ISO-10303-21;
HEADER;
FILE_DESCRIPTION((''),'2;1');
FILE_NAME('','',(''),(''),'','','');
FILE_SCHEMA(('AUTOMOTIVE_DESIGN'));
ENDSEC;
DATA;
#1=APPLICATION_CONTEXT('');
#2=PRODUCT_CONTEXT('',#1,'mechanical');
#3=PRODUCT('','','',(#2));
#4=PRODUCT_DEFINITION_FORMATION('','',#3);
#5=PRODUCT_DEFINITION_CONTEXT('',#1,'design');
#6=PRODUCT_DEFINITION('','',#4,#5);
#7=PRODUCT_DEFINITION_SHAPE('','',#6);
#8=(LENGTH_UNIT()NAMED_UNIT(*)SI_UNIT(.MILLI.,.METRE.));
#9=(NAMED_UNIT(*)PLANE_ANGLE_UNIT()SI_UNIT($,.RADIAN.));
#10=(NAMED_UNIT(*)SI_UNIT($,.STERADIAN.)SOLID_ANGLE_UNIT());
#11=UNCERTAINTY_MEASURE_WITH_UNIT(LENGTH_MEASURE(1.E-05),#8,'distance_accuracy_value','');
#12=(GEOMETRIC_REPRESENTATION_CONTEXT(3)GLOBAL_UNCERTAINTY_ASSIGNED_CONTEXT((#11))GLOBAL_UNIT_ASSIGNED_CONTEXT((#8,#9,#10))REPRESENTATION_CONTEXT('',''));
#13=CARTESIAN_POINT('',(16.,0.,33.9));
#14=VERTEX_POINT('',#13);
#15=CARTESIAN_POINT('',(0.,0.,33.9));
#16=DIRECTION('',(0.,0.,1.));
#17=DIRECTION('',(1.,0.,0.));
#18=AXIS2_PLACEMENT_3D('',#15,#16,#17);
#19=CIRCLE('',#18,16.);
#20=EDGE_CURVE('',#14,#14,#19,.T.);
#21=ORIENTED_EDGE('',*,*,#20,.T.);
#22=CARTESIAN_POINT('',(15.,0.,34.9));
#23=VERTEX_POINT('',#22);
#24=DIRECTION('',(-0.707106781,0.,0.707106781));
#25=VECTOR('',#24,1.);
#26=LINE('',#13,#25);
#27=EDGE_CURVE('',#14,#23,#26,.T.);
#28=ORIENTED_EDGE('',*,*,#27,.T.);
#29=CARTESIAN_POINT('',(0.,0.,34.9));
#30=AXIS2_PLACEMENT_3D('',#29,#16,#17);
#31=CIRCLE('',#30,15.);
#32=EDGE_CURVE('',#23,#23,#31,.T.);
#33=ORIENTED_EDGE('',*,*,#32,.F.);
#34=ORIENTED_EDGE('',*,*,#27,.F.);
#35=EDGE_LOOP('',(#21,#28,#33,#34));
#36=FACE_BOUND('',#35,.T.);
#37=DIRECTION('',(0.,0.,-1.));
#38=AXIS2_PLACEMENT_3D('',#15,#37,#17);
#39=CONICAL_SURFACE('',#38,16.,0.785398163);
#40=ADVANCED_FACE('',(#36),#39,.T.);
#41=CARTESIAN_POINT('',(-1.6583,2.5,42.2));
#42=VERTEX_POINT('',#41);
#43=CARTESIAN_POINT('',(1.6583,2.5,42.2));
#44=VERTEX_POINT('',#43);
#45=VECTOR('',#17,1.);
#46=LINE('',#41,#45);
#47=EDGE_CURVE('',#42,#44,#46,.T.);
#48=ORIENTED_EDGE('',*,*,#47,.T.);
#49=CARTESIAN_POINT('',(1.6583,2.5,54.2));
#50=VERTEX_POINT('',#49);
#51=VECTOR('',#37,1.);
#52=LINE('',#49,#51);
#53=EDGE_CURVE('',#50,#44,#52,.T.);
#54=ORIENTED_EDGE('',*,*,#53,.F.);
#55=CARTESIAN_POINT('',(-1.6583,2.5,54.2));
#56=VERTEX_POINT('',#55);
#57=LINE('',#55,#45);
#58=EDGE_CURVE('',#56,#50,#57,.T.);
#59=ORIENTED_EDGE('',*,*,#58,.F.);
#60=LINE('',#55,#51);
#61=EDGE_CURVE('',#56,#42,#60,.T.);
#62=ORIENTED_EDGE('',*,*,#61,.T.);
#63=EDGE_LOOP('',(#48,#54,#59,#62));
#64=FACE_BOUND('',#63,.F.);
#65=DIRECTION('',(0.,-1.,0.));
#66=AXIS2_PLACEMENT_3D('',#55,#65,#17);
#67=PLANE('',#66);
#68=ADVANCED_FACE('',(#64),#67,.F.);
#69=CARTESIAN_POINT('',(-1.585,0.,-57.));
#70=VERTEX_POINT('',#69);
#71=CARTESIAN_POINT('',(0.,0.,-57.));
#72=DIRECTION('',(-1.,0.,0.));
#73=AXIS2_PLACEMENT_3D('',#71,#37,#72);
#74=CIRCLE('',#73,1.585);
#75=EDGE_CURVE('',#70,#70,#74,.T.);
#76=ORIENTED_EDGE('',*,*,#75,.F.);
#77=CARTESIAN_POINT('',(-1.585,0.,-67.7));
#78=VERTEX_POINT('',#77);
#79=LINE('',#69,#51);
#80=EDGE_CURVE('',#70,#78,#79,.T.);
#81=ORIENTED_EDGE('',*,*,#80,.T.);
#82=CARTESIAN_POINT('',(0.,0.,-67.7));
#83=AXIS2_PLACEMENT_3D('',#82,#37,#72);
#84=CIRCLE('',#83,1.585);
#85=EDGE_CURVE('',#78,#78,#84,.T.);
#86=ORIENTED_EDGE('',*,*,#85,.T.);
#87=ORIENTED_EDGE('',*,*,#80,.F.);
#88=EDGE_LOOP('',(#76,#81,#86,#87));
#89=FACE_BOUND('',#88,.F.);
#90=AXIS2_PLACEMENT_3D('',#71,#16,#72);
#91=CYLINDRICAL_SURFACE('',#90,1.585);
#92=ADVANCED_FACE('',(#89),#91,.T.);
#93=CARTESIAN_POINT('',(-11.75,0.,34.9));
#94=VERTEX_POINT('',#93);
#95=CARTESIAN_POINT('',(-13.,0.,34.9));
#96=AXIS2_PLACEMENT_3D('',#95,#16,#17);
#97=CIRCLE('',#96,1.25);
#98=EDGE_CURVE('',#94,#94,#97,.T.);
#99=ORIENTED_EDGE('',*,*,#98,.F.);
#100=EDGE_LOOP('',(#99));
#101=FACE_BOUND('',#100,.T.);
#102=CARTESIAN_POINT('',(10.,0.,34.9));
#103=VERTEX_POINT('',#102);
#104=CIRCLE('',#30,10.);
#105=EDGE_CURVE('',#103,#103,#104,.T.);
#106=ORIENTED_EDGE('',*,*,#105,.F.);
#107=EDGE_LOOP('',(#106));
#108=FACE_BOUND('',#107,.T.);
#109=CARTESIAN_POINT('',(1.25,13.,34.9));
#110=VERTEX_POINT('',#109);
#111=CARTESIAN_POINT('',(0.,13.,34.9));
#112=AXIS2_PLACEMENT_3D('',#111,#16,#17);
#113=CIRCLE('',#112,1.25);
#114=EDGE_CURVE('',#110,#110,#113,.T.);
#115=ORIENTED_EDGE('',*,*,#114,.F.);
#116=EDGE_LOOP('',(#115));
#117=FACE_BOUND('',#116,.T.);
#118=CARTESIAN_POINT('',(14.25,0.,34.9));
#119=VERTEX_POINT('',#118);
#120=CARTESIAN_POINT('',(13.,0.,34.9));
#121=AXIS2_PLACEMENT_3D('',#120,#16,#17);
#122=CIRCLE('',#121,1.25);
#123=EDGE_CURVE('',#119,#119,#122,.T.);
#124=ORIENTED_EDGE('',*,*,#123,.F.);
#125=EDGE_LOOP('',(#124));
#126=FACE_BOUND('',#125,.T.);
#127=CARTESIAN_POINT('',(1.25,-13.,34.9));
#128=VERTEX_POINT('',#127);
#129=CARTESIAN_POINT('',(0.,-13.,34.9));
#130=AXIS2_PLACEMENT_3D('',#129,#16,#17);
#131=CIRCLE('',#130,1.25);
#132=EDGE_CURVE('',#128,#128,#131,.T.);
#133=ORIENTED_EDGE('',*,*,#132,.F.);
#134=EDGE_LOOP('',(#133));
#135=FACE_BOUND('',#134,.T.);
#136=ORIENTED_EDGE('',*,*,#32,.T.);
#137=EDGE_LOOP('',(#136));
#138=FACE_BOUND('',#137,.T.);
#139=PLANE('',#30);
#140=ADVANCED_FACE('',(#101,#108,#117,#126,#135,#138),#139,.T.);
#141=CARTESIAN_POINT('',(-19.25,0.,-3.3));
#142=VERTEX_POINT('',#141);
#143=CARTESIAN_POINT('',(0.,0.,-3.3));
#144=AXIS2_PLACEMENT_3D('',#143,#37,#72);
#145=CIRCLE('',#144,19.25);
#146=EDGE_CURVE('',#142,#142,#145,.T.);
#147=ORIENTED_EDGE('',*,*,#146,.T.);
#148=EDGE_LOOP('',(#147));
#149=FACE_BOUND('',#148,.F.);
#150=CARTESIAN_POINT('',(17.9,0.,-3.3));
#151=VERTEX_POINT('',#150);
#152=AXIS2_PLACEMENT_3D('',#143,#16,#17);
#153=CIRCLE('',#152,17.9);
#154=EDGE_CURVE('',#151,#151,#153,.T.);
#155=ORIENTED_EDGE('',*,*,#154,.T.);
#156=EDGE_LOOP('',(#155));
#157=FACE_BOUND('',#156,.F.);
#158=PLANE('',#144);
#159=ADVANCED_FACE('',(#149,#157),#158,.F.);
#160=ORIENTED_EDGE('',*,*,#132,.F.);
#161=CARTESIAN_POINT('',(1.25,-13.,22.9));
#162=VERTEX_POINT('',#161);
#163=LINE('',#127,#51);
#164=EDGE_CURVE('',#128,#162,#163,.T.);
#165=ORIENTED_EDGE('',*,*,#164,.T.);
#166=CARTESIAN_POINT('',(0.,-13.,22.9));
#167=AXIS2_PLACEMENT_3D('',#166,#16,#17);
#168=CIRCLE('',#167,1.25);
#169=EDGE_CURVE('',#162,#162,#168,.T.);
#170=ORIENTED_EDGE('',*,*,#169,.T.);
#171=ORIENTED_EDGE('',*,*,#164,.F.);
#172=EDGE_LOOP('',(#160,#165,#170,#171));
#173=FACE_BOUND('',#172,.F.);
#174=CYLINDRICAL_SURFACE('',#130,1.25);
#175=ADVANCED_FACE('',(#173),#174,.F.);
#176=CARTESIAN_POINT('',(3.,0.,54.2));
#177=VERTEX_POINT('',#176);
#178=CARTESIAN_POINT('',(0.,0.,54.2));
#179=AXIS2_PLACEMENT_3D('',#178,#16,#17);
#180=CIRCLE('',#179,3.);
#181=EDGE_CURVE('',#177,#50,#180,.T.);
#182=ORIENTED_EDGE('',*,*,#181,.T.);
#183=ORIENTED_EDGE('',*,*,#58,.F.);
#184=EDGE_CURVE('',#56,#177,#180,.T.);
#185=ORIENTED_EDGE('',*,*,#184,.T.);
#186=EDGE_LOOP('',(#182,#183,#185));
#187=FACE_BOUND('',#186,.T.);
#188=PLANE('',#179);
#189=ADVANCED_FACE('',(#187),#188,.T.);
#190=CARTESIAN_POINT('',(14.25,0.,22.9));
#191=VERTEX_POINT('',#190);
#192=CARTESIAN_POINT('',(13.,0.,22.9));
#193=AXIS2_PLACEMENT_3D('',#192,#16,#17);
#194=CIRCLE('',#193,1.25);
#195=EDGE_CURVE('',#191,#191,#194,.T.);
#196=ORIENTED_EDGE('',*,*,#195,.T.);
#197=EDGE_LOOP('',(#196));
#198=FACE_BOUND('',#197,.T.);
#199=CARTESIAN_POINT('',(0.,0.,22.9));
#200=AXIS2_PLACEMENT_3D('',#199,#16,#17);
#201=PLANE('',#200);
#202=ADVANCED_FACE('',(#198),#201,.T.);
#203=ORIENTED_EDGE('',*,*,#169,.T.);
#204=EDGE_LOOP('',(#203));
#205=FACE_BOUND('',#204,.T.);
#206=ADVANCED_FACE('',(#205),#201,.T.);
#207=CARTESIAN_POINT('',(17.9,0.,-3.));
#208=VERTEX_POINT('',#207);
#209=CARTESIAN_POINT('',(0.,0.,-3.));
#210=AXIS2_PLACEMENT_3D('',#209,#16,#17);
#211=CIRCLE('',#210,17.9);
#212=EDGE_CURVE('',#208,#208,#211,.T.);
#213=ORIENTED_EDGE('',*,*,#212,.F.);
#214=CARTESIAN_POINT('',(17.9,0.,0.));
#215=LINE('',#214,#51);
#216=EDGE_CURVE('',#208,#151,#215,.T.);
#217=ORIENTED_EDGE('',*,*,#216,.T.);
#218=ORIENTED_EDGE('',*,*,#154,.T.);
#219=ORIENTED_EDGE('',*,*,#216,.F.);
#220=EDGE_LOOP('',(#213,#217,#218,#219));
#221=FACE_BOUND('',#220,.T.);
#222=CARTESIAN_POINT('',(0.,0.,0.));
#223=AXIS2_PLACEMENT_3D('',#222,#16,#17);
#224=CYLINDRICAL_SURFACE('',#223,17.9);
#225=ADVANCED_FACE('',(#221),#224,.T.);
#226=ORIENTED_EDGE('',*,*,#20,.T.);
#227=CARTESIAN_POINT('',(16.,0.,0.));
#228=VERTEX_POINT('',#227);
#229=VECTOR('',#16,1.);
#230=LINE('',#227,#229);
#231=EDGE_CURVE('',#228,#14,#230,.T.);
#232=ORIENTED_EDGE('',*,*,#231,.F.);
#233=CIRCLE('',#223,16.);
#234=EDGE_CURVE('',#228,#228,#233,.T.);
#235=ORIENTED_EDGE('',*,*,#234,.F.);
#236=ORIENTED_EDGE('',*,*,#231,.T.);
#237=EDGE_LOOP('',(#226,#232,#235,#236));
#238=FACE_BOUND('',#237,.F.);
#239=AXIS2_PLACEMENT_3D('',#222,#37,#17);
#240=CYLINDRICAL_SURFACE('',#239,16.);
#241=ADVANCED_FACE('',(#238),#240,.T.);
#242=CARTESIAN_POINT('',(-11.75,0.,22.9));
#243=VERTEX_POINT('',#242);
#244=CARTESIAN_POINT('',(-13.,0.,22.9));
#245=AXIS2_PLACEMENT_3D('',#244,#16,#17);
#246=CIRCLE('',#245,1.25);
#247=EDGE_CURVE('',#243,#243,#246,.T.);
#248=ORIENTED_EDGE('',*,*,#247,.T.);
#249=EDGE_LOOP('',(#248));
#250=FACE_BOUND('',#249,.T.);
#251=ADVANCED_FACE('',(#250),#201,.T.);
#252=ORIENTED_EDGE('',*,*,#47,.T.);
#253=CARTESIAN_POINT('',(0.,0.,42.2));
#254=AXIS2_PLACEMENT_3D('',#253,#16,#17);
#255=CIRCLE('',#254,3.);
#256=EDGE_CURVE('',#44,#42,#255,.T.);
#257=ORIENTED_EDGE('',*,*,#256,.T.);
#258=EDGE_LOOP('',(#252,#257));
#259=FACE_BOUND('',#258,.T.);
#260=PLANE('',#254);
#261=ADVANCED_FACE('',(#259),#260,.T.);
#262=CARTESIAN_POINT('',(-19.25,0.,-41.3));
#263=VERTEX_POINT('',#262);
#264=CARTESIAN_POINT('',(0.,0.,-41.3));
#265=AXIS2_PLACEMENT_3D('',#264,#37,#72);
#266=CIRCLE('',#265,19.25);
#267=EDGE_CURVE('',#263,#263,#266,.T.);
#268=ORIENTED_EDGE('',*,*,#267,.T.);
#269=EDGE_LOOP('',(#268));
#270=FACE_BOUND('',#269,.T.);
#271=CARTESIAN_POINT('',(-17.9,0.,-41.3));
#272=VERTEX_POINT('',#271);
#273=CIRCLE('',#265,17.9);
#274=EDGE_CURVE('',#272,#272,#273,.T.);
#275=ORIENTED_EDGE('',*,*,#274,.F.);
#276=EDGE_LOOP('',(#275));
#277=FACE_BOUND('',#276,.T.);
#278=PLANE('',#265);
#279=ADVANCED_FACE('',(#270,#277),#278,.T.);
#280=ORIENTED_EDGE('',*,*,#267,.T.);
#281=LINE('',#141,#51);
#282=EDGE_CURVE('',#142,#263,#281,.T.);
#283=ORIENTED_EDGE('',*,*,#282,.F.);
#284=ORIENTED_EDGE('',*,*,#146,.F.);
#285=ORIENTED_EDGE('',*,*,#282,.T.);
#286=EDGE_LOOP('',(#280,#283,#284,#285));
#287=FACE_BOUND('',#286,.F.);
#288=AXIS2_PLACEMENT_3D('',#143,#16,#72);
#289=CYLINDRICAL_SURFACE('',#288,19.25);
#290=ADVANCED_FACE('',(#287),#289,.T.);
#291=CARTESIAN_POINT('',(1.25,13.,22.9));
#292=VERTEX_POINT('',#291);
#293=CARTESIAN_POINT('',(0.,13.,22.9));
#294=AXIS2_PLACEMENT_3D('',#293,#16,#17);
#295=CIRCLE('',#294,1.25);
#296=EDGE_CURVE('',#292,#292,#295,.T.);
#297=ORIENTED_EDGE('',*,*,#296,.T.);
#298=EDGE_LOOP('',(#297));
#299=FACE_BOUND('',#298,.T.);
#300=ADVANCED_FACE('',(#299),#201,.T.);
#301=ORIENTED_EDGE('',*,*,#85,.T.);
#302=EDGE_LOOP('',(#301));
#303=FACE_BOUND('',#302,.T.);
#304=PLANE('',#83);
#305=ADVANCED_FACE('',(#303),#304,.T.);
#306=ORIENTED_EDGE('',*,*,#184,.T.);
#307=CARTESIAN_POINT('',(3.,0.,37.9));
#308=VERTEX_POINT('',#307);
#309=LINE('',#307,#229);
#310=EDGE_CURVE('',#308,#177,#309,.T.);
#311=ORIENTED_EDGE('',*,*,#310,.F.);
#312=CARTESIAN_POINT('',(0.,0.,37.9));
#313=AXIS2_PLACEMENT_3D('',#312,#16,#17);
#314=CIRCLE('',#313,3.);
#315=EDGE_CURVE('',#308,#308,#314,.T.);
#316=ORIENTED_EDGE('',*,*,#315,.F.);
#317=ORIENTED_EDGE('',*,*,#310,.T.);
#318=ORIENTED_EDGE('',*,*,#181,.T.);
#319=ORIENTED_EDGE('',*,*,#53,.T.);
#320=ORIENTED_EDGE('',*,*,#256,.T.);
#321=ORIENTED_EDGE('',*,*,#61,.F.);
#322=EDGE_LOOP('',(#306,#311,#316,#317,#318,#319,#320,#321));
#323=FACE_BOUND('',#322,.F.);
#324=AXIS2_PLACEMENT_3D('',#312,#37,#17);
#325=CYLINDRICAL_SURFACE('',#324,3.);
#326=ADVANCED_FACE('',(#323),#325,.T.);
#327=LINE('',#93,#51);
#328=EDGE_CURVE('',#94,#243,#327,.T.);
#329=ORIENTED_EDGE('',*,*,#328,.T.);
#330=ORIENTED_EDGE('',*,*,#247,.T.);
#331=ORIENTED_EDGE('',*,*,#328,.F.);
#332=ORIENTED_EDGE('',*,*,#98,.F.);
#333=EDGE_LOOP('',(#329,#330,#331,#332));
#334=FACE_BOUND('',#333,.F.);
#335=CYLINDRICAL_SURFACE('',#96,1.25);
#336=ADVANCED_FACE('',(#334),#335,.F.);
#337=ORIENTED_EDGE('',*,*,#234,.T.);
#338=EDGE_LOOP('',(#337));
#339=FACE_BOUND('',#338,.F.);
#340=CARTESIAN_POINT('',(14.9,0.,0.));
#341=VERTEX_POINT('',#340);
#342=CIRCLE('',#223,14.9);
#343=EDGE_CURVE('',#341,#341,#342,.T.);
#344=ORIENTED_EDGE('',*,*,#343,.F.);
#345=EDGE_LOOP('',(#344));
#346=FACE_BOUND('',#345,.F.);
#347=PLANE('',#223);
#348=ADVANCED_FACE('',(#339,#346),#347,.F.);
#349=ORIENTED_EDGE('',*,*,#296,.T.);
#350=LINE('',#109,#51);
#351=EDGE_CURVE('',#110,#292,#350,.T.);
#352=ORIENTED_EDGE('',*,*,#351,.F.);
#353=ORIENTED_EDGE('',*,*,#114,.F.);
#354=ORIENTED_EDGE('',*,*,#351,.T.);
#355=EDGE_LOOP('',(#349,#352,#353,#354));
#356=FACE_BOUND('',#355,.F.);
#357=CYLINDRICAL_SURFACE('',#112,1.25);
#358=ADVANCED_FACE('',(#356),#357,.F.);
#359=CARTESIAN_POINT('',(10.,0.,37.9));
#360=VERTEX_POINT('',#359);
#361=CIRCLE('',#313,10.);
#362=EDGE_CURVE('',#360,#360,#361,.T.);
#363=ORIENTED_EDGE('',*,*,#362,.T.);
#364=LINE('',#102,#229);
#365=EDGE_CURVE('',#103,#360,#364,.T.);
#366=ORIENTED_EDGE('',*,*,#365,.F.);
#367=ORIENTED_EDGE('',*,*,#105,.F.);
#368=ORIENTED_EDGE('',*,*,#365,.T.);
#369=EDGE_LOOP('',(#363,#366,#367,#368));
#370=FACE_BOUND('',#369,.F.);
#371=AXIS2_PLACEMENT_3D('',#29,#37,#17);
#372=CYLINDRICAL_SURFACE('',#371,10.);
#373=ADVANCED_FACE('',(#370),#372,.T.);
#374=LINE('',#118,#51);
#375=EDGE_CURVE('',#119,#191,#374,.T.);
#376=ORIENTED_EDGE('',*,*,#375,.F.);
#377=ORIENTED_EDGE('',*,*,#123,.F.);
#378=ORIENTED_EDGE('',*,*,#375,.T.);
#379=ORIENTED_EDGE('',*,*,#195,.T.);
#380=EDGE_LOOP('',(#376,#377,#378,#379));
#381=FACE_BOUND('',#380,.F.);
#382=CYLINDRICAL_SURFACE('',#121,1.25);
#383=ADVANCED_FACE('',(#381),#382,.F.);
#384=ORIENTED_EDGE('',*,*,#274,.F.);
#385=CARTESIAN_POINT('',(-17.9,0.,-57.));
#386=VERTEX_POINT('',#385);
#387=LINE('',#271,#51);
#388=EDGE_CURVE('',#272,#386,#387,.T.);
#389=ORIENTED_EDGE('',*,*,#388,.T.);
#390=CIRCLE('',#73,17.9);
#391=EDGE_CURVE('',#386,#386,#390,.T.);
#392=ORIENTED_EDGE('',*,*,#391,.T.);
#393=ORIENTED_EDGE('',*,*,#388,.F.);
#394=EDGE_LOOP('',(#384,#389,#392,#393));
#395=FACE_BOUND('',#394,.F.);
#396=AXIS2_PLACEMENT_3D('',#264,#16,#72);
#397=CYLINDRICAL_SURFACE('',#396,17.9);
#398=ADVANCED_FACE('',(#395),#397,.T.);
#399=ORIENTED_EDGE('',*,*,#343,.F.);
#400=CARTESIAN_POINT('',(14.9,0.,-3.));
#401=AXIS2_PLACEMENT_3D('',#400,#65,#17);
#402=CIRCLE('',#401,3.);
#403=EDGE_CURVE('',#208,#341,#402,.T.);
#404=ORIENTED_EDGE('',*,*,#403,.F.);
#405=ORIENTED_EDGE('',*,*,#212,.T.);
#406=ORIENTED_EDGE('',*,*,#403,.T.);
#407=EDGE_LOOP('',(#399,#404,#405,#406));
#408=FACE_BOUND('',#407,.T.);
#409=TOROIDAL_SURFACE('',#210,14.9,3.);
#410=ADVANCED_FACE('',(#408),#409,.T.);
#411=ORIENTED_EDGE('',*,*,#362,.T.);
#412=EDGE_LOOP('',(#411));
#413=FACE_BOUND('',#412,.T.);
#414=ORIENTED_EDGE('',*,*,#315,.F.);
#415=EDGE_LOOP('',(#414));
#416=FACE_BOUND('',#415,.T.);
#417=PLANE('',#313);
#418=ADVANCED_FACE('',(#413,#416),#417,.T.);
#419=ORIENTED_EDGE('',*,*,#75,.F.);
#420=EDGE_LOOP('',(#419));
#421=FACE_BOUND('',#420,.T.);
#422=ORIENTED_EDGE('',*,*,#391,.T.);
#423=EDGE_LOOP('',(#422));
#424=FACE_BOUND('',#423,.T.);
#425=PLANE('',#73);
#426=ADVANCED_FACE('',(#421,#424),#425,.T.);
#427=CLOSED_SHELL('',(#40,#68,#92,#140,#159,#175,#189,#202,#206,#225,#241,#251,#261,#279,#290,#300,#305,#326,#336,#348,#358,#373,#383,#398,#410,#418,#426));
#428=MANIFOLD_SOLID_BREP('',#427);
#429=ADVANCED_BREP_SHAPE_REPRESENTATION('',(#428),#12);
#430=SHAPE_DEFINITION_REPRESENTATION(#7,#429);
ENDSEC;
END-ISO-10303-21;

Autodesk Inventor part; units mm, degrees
ref_plane "YZ Plane" through (0, 0, 0) normal (1, 0, 0) x (0, 1, 0)
ref_plane "XZ Plane" through (0, 0, 0) normal (0, 1, 0) x (-1, 0, 0)
ref_plane "XY Plane" through (0, 0, 0) normal (0, 0, 1) x (1, 0, 0)
sketch "スケッチ1" plane through (0, 0, 0) normal (0, 0, 1) x (1, 0, 0)
  circle A0 centre (0, 0) radius 17.9
  dimension "d0" = 35.8
extrude "押し出し1" add sketch "スケッチ1" against normal blind 3.3
fillet "フィレット1" radius 3 1 edges at (-17.9, 0, 0)
sketch "スケッチ2" plane through (0, 0, -3.3) normal (0, 0, -1) x (-1, 0, 0)
  circle A0 centre (0, 0) radius 19.25
  dimension "d4" = 38.5
extrude "押し出し2" add sketch "スケッチ2" along normal blind 38
sketch "スケッチ3" plane through (0, 0, -41.3) normal (0, 0, -1) x (-1, 0, 0)
  circle A0 centre (0, 0) radius 17.9
  dimension "d7" = 35.8
extrude "押し出し3" add sketch "スケッチ3" along normal blind 15.7
sketch "スケッチ4" plane through (0, 0, -57) normal (0, 0, -1) x (-1, 0, 0)
  circle A0 centre (0, 0) radius 1.585
  dimension "d10" = 3.17
extrude "押し出し4" add sketch "スケッチ4" along normal blind 10.7
sketch "スケッチ5" plane through (0, 0, 0) normal (0, 0, 1) x (1, 0, 0)
  circle A0 centre (0, 0) radius 1.585 projected
  circle A1 centre (0, 0) radius 16
  dimension "d13" = 32
extrude "押し出し5" add sketch "スケッチ5" along normal blind 34.9 contours A0 | A1
chamfer "面取り1" distance 1 angle 45 1 edges at (-16, 0, 34.9)
sketch "スケッチ6" plane through (0, 0, 34.9) normal (0, 0, 1) x (1, 0, 0)
  circle A0 centre (0, 0) radius 10
  dimension "d19" = 20
extrude "押し出し6" add sketch "スケッチ6" along normal blind 3
sketch "スケッチ7" plane through (0, 0, 37.9) normal (0, 0, 1) x (1, 0, 0)
  circle A0 centre (0, 0) radius 1.585 projected
  circle A1 centre (0, 0) radius 3
  dimension "d22" = 6
extrude "押し出し7" add sketch "スケッチ7" along normal blind 16.3 contours A0 | A1
sketch "スケッチ8" plane through (0, 0, 54.2) normal (0, 0, 1) x (1, 0, 0)
  circle A0 centre (0, 0) radius 3 projected
  line L0 (-1.6583, 2.5) -> (1.6583, 2.5)
  arc A1 (1.6583, 2.5) -> (-1.6583, 2.5) centre (0, 0) ccw
  dimension "d25" = 2.5
extrude "押し出し8" cut sketch "スケッチ8" against normal blind 12 contours L0 A0 picked at (-0.1169, 2.6598)
sketch "スケッチ9" plane through (0, 0, 34.9) normal (0, 0, 1) x (1, 0, 0)
  circle A0 centre (0, 13) radius 1.25
  circle A1 centre (-13, 0) radius 1.25
  circle A2 centre (0, -13) radius 1.25
  circle A3 centre (13, 0) radius 1.25
  circle A4 centre (0, 0) radius 13 construction
  dimension "d28" = 2.5
  dimension "d29" = 2.5
  dimension "d30" = 2.5
  dimension "d31" = 2.5
  dimension "d32" = 26
extrude "押し出し9" cut sketch "スケッチ9" against normal blind 12
properties part number "RS-555-71"
